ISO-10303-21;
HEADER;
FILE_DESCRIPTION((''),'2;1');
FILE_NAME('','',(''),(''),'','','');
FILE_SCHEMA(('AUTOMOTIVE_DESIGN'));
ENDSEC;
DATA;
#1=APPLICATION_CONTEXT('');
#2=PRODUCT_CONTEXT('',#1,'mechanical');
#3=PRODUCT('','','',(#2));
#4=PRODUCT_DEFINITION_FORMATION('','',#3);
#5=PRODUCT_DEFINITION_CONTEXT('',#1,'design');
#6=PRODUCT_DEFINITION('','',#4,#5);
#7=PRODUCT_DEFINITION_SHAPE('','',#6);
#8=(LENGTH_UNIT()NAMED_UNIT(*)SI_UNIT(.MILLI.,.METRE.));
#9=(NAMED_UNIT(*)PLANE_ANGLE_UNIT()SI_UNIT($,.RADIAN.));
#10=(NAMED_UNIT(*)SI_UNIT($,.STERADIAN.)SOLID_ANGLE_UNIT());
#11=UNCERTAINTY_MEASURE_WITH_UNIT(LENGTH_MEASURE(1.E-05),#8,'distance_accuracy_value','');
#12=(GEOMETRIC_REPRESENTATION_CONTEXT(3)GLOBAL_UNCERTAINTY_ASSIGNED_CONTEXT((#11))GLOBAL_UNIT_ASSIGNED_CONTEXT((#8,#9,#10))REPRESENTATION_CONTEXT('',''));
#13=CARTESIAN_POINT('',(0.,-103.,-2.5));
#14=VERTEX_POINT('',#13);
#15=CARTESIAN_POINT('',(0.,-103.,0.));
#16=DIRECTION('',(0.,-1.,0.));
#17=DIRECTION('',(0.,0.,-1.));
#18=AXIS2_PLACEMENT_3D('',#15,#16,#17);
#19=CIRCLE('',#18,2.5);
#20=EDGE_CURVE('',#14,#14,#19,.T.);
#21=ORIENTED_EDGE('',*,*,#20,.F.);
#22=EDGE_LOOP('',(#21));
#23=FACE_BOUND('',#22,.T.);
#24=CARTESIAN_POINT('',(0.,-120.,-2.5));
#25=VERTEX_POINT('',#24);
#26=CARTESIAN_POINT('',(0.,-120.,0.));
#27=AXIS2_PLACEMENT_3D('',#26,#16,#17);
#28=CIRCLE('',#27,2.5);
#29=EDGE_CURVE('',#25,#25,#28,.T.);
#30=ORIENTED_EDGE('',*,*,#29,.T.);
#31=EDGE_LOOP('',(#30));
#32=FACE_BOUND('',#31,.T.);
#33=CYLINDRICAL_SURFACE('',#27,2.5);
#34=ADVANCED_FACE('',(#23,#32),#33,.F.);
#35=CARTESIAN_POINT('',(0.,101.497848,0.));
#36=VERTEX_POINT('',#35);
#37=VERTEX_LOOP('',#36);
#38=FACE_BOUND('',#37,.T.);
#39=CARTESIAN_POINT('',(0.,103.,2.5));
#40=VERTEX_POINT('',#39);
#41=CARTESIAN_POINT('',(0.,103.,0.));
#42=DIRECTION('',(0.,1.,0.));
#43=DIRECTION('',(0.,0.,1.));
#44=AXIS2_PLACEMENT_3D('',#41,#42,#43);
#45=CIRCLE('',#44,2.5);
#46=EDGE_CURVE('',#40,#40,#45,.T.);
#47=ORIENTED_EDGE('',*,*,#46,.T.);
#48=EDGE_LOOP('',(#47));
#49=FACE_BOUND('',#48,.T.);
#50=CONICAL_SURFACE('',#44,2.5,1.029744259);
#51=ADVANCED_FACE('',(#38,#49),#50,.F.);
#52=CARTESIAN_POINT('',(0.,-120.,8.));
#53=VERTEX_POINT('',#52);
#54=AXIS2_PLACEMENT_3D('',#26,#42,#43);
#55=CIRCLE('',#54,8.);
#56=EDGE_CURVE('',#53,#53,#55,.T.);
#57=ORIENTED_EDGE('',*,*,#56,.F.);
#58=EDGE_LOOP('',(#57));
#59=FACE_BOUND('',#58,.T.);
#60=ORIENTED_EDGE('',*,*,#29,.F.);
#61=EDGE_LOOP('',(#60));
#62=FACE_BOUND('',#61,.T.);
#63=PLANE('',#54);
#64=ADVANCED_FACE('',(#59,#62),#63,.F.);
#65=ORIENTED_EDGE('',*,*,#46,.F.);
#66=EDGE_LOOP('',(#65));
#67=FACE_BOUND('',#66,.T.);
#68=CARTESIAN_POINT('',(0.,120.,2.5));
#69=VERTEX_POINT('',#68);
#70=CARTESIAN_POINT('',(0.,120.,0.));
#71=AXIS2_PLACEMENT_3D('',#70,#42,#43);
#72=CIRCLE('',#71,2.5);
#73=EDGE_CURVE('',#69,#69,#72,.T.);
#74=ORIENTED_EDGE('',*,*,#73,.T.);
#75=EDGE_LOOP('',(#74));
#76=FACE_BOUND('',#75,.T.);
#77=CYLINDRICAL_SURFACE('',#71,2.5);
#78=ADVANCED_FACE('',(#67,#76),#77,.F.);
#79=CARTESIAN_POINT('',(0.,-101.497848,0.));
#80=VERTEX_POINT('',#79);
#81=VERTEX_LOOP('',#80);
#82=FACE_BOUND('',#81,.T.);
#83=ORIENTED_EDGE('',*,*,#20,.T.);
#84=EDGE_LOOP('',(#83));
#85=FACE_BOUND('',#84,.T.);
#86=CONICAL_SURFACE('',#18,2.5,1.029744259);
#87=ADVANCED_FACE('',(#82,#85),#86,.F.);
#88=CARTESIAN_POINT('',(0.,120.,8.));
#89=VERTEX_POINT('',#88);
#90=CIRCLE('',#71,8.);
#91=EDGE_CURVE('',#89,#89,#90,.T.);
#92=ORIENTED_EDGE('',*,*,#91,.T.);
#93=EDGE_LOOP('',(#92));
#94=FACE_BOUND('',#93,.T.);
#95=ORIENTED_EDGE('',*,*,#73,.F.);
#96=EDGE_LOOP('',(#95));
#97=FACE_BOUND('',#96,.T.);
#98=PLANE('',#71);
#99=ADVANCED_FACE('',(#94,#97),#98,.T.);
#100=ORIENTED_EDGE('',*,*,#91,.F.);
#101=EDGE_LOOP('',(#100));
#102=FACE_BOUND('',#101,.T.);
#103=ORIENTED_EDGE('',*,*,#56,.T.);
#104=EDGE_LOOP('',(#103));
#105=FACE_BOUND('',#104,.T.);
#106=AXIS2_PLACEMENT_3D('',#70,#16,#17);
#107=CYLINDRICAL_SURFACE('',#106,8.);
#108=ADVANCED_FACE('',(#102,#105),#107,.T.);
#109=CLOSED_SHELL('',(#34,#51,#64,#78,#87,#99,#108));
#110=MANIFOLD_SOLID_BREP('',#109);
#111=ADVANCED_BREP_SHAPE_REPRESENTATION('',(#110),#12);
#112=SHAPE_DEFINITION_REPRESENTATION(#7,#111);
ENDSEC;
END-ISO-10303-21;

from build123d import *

# Parameters (mm, degrees)
SKETCH_1_R      = 8
EXTRUDE_1_DEPTH = 120


with BuildPart() as part:
    # 草图1 → 凸台-拉伸1 (new, symmetric)
    with BuildSketch(Plane(origin=(0, 0, 0), x_dir=(1, 0, 0), z_dir=(0, 1, 0))):
        with Locations(Location((0, 0, 0), (0, 0, 270))):
            Circle(SKETCH_1_R)
    extrude(amount=EXTRUDE_1_DEPTH, both=True)

    # 草图3 → M6 螺纹孔1 (revolve, cut)
    with BuildSketch(Plane(origin=(0, 120, 0), x_dir=(0, 0, 1), z_dir=(1, 0, 0))):
        Polygon((0, 0), (0, 18.502151548), (2.5, 17), (2.5, 0), align=None)
    hole_wizard_m6_1 = revolve(axis=Axis((0, 126.35, 0), (0, -1, 0)), mode=Mode.SUBTRACT)

    # 镜向1: M6 螺纹孔1 across plane
    add(hole_wizard_m6_1.mirror(Plane.ZX), mode=Mode.SUBTRACT)


solid = part.part
